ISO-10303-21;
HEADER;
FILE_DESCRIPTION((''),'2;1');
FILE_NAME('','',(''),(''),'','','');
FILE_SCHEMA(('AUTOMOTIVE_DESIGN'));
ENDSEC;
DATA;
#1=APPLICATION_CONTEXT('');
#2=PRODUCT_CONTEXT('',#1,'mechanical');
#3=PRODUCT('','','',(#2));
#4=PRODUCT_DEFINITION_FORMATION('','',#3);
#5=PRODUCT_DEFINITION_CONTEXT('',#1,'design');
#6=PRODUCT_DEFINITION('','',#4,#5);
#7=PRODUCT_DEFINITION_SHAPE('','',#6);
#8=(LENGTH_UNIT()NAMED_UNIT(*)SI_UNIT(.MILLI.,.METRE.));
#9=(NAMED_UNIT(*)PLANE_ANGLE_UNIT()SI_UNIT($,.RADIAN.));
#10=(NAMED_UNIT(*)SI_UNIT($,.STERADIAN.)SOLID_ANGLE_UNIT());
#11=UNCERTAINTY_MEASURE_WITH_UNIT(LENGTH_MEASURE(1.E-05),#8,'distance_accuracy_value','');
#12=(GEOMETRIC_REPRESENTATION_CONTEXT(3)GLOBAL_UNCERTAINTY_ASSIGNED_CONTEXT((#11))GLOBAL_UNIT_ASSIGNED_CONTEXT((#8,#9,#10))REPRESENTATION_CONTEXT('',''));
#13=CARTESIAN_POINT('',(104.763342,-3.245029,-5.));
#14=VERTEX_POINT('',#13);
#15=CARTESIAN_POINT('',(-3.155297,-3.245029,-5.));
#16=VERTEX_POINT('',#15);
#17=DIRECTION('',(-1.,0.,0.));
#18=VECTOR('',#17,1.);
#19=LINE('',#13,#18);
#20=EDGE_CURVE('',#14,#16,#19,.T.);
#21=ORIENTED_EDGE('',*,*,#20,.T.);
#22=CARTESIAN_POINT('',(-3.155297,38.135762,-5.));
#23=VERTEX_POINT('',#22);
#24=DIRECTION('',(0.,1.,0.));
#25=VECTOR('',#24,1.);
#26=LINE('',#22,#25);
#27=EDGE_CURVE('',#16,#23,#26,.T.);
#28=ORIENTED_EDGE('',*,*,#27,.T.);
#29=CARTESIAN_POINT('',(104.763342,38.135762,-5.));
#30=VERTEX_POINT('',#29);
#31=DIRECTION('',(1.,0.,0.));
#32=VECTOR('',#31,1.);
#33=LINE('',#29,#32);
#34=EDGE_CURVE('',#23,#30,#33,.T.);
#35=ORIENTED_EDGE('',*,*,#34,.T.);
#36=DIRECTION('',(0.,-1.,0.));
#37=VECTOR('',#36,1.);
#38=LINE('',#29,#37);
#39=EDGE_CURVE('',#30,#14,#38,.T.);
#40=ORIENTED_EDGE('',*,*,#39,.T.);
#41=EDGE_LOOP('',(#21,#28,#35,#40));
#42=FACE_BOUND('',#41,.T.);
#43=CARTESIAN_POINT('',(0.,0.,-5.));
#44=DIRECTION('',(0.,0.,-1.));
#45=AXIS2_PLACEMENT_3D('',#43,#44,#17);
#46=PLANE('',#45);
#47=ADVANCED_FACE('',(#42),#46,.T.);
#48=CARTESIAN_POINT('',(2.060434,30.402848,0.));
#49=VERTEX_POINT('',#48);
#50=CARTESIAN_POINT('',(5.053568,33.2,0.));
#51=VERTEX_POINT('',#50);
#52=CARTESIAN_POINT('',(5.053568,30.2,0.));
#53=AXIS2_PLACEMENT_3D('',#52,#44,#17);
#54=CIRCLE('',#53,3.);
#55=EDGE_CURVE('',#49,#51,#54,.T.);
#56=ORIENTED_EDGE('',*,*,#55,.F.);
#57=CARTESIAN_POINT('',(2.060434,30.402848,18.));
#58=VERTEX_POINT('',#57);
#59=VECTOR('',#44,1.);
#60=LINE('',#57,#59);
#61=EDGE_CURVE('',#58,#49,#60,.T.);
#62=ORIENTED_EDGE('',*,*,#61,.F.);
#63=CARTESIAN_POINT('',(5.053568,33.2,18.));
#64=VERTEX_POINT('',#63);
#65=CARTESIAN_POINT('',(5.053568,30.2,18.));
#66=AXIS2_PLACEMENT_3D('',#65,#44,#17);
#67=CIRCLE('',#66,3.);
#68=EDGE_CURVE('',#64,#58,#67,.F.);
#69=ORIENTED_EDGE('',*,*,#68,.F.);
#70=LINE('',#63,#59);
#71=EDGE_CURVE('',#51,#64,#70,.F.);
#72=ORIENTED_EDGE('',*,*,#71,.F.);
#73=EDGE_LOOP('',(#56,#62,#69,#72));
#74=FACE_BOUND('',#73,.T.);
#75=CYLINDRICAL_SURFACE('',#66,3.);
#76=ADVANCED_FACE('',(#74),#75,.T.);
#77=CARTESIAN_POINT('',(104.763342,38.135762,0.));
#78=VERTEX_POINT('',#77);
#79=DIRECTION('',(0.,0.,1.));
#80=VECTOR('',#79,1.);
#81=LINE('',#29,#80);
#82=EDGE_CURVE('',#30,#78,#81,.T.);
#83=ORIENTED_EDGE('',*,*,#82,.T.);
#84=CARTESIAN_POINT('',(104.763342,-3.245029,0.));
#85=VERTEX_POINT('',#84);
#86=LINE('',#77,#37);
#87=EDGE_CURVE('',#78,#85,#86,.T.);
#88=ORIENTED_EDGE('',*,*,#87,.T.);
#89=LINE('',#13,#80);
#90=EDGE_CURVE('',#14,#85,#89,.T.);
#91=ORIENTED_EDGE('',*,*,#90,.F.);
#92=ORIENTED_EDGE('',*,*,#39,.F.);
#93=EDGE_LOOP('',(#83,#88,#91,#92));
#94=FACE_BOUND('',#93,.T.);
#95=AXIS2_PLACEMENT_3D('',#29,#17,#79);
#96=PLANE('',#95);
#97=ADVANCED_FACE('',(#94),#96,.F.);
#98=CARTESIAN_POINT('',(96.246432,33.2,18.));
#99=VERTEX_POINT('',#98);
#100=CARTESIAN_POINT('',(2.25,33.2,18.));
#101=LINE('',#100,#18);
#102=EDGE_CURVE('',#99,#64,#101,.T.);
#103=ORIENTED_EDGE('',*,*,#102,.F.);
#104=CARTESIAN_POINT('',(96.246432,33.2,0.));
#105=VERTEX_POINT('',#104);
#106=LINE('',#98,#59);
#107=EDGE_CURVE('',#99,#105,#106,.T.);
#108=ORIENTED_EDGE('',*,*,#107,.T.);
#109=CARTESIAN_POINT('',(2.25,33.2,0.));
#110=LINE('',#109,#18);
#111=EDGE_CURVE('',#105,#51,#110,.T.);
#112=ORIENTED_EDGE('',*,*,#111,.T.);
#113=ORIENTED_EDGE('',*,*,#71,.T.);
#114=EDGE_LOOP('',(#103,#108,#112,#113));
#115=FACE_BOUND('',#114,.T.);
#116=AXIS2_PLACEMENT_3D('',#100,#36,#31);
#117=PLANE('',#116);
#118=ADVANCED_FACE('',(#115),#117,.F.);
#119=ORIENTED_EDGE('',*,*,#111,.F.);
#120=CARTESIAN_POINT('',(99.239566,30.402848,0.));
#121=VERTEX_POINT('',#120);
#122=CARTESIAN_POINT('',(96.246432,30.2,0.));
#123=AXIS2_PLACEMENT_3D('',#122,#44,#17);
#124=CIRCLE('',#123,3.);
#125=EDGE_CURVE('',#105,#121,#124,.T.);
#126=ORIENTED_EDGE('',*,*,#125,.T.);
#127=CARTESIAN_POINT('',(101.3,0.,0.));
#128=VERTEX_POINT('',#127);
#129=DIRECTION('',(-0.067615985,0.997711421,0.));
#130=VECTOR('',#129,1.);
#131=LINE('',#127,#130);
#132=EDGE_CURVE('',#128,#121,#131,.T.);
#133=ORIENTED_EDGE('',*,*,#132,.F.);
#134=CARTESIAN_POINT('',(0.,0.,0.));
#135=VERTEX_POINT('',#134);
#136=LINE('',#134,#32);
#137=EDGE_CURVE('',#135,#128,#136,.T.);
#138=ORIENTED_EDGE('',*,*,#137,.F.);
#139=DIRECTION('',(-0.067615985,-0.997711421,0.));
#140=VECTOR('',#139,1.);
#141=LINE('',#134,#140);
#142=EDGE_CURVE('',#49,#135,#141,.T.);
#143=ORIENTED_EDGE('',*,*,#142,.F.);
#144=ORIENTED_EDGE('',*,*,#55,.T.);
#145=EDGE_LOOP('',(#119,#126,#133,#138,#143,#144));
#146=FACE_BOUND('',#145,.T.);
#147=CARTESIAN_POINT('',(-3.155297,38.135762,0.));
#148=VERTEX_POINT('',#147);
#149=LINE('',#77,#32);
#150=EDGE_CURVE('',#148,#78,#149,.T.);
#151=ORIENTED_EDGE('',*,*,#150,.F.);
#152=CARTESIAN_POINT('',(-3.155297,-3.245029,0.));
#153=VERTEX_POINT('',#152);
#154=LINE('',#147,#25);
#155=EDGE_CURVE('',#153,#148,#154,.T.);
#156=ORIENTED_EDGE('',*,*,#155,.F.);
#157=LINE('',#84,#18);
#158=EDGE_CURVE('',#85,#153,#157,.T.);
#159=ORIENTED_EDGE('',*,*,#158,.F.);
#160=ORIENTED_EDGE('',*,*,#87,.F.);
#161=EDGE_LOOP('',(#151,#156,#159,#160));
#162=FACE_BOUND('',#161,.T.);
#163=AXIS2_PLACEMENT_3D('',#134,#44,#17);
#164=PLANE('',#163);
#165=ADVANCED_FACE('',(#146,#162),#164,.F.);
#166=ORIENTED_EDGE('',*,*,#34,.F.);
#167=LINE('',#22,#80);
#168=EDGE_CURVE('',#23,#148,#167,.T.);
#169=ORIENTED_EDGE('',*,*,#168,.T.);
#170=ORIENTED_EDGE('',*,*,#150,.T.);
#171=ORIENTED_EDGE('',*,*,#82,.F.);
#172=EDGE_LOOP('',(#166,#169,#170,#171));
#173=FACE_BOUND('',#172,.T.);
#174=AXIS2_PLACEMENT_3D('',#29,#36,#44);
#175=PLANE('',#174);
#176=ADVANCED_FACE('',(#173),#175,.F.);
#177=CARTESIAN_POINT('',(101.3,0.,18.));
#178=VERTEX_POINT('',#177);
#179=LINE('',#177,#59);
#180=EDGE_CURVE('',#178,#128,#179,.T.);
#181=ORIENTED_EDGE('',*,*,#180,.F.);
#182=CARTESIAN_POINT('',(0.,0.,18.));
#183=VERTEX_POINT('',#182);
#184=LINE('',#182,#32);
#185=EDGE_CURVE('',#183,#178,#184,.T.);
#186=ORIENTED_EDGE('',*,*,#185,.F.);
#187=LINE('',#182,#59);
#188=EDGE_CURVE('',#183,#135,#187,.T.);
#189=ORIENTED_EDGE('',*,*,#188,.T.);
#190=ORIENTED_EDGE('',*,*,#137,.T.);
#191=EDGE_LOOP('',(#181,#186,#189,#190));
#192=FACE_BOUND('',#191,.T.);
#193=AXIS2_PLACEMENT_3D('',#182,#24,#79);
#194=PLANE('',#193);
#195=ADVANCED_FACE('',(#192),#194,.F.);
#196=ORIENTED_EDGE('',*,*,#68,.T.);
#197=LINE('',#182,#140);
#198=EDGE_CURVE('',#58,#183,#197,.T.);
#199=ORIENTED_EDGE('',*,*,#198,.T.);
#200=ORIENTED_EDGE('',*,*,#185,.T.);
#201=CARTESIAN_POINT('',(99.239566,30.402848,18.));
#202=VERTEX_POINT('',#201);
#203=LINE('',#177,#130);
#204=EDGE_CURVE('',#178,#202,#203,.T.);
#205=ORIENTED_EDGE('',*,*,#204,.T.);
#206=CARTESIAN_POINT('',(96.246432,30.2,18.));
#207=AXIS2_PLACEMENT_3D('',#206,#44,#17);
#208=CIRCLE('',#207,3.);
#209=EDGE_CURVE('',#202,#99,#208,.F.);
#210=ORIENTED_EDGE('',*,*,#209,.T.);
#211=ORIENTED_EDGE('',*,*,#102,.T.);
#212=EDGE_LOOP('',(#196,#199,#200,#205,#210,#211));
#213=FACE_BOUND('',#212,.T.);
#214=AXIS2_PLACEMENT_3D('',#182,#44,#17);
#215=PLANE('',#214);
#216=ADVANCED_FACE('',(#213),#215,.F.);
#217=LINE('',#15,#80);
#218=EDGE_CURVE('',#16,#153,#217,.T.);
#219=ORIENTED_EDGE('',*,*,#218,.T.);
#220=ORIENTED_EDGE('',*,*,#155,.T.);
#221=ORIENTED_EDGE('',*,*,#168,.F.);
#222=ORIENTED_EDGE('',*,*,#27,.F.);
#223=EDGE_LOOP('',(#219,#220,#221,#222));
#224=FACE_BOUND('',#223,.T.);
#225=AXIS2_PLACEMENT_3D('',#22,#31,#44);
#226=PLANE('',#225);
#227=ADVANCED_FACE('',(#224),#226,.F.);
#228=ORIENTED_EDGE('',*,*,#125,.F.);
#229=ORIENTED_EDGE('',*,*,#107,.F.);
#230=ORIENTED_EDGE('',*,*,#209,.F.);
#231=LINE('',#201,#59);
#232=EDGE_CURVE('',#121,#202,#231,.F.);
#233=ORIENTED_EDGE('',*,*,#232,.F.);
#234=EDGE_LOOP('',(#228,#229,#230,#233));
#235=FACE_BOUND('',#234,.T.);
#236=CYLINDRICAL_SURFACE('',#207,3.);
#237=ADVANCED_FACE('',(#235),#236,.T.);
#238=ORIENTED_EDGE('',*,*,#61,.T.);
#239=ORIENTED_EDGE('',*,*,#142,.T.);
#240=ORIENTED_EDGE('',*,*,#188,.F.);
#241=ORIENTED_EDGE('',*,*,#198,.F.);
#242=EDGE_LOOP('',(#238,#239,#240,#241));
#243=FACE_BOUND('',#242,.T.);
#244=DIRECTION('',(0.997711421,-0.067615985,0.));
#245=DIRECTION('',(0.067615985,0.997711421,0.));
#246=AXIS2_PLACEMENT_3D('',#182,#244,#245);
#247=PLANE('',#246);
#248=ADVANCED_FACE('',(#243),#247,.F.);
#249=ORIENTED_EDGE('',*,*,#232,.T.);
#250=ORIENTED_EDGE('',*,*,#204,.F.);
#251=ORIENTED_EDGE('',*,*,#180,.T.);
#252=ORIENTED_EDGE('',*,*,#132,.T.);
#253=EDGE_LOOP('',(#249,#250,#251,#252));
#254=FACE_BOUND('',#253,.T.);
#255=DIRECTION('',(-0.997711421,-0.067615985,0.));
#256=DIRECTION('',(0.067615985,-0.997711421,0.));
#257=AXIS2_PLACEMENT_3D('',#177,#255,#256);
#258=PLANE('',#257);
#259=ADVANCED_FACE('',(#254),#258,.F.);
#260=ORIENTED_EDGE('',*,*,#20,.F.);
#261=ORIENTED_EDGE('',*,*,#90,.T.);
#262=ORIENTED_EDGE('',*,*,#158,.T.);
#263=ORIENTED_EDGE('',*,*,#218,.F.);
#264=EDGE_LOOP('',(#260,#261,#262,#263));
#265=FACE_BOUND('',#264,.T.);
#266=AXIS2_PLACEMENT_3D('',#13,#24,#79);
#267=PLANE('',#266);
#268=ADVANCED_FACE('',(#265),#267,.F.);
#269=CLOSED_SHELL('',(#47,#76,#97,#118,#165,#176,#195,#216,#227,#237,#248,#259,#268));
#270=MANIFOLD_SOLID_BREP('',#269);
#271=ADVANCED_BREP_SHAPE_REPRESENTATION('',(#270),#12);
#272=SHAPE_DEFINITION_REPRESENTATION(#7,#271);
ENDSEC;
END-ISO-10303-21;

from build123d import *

# Parameters (mm, degrees)
P_IDAT_VYSUNUT_M1_DEPTH = 18
ZAOBLIT1_R              = 3
SKICA2_W                = 107.918638888
SKICA2_H                = 41.380791124
P_IDAT_VYSUNUT_M2_DEPTH = 5


with BuildPart() as part:
    # Skica1 → Přidat vysunutím1 (new body)
    with BuildSketch(Plane.XY):
        Polygon((0, 0), (101.3, 0), (99.05, 33.2), (2.25, 33.2), align=None)
    extrude(amount=P_IDAT_VYSUNUT_M1_DEPTH)

    # Zaoblit1
    zaoblit1_edges = [part.edges().sort_by_distance(p)[0] for p in [
        (2.25, 33.2, 9),
        (99.05, 33.2, 9),
    ]]
    fillet(zaoblit1_edges, radius=ZAOBLIT1_R)

    # Skica2 → Přidat vysunutím2 (add)
    with BuildSketch(Plane(origin=(0, 0, 0), x_dir=(-1, 0, 0), z_dir=(0, 0, -1))):
        with Locations((-50.804022796, 17.445366235)):
            Rectangle(SKICA2_W, SKICA2_H)
    extrude(amount=P_IDAT_VYSUNUT_M2_DEPTH)


solid = part.part
